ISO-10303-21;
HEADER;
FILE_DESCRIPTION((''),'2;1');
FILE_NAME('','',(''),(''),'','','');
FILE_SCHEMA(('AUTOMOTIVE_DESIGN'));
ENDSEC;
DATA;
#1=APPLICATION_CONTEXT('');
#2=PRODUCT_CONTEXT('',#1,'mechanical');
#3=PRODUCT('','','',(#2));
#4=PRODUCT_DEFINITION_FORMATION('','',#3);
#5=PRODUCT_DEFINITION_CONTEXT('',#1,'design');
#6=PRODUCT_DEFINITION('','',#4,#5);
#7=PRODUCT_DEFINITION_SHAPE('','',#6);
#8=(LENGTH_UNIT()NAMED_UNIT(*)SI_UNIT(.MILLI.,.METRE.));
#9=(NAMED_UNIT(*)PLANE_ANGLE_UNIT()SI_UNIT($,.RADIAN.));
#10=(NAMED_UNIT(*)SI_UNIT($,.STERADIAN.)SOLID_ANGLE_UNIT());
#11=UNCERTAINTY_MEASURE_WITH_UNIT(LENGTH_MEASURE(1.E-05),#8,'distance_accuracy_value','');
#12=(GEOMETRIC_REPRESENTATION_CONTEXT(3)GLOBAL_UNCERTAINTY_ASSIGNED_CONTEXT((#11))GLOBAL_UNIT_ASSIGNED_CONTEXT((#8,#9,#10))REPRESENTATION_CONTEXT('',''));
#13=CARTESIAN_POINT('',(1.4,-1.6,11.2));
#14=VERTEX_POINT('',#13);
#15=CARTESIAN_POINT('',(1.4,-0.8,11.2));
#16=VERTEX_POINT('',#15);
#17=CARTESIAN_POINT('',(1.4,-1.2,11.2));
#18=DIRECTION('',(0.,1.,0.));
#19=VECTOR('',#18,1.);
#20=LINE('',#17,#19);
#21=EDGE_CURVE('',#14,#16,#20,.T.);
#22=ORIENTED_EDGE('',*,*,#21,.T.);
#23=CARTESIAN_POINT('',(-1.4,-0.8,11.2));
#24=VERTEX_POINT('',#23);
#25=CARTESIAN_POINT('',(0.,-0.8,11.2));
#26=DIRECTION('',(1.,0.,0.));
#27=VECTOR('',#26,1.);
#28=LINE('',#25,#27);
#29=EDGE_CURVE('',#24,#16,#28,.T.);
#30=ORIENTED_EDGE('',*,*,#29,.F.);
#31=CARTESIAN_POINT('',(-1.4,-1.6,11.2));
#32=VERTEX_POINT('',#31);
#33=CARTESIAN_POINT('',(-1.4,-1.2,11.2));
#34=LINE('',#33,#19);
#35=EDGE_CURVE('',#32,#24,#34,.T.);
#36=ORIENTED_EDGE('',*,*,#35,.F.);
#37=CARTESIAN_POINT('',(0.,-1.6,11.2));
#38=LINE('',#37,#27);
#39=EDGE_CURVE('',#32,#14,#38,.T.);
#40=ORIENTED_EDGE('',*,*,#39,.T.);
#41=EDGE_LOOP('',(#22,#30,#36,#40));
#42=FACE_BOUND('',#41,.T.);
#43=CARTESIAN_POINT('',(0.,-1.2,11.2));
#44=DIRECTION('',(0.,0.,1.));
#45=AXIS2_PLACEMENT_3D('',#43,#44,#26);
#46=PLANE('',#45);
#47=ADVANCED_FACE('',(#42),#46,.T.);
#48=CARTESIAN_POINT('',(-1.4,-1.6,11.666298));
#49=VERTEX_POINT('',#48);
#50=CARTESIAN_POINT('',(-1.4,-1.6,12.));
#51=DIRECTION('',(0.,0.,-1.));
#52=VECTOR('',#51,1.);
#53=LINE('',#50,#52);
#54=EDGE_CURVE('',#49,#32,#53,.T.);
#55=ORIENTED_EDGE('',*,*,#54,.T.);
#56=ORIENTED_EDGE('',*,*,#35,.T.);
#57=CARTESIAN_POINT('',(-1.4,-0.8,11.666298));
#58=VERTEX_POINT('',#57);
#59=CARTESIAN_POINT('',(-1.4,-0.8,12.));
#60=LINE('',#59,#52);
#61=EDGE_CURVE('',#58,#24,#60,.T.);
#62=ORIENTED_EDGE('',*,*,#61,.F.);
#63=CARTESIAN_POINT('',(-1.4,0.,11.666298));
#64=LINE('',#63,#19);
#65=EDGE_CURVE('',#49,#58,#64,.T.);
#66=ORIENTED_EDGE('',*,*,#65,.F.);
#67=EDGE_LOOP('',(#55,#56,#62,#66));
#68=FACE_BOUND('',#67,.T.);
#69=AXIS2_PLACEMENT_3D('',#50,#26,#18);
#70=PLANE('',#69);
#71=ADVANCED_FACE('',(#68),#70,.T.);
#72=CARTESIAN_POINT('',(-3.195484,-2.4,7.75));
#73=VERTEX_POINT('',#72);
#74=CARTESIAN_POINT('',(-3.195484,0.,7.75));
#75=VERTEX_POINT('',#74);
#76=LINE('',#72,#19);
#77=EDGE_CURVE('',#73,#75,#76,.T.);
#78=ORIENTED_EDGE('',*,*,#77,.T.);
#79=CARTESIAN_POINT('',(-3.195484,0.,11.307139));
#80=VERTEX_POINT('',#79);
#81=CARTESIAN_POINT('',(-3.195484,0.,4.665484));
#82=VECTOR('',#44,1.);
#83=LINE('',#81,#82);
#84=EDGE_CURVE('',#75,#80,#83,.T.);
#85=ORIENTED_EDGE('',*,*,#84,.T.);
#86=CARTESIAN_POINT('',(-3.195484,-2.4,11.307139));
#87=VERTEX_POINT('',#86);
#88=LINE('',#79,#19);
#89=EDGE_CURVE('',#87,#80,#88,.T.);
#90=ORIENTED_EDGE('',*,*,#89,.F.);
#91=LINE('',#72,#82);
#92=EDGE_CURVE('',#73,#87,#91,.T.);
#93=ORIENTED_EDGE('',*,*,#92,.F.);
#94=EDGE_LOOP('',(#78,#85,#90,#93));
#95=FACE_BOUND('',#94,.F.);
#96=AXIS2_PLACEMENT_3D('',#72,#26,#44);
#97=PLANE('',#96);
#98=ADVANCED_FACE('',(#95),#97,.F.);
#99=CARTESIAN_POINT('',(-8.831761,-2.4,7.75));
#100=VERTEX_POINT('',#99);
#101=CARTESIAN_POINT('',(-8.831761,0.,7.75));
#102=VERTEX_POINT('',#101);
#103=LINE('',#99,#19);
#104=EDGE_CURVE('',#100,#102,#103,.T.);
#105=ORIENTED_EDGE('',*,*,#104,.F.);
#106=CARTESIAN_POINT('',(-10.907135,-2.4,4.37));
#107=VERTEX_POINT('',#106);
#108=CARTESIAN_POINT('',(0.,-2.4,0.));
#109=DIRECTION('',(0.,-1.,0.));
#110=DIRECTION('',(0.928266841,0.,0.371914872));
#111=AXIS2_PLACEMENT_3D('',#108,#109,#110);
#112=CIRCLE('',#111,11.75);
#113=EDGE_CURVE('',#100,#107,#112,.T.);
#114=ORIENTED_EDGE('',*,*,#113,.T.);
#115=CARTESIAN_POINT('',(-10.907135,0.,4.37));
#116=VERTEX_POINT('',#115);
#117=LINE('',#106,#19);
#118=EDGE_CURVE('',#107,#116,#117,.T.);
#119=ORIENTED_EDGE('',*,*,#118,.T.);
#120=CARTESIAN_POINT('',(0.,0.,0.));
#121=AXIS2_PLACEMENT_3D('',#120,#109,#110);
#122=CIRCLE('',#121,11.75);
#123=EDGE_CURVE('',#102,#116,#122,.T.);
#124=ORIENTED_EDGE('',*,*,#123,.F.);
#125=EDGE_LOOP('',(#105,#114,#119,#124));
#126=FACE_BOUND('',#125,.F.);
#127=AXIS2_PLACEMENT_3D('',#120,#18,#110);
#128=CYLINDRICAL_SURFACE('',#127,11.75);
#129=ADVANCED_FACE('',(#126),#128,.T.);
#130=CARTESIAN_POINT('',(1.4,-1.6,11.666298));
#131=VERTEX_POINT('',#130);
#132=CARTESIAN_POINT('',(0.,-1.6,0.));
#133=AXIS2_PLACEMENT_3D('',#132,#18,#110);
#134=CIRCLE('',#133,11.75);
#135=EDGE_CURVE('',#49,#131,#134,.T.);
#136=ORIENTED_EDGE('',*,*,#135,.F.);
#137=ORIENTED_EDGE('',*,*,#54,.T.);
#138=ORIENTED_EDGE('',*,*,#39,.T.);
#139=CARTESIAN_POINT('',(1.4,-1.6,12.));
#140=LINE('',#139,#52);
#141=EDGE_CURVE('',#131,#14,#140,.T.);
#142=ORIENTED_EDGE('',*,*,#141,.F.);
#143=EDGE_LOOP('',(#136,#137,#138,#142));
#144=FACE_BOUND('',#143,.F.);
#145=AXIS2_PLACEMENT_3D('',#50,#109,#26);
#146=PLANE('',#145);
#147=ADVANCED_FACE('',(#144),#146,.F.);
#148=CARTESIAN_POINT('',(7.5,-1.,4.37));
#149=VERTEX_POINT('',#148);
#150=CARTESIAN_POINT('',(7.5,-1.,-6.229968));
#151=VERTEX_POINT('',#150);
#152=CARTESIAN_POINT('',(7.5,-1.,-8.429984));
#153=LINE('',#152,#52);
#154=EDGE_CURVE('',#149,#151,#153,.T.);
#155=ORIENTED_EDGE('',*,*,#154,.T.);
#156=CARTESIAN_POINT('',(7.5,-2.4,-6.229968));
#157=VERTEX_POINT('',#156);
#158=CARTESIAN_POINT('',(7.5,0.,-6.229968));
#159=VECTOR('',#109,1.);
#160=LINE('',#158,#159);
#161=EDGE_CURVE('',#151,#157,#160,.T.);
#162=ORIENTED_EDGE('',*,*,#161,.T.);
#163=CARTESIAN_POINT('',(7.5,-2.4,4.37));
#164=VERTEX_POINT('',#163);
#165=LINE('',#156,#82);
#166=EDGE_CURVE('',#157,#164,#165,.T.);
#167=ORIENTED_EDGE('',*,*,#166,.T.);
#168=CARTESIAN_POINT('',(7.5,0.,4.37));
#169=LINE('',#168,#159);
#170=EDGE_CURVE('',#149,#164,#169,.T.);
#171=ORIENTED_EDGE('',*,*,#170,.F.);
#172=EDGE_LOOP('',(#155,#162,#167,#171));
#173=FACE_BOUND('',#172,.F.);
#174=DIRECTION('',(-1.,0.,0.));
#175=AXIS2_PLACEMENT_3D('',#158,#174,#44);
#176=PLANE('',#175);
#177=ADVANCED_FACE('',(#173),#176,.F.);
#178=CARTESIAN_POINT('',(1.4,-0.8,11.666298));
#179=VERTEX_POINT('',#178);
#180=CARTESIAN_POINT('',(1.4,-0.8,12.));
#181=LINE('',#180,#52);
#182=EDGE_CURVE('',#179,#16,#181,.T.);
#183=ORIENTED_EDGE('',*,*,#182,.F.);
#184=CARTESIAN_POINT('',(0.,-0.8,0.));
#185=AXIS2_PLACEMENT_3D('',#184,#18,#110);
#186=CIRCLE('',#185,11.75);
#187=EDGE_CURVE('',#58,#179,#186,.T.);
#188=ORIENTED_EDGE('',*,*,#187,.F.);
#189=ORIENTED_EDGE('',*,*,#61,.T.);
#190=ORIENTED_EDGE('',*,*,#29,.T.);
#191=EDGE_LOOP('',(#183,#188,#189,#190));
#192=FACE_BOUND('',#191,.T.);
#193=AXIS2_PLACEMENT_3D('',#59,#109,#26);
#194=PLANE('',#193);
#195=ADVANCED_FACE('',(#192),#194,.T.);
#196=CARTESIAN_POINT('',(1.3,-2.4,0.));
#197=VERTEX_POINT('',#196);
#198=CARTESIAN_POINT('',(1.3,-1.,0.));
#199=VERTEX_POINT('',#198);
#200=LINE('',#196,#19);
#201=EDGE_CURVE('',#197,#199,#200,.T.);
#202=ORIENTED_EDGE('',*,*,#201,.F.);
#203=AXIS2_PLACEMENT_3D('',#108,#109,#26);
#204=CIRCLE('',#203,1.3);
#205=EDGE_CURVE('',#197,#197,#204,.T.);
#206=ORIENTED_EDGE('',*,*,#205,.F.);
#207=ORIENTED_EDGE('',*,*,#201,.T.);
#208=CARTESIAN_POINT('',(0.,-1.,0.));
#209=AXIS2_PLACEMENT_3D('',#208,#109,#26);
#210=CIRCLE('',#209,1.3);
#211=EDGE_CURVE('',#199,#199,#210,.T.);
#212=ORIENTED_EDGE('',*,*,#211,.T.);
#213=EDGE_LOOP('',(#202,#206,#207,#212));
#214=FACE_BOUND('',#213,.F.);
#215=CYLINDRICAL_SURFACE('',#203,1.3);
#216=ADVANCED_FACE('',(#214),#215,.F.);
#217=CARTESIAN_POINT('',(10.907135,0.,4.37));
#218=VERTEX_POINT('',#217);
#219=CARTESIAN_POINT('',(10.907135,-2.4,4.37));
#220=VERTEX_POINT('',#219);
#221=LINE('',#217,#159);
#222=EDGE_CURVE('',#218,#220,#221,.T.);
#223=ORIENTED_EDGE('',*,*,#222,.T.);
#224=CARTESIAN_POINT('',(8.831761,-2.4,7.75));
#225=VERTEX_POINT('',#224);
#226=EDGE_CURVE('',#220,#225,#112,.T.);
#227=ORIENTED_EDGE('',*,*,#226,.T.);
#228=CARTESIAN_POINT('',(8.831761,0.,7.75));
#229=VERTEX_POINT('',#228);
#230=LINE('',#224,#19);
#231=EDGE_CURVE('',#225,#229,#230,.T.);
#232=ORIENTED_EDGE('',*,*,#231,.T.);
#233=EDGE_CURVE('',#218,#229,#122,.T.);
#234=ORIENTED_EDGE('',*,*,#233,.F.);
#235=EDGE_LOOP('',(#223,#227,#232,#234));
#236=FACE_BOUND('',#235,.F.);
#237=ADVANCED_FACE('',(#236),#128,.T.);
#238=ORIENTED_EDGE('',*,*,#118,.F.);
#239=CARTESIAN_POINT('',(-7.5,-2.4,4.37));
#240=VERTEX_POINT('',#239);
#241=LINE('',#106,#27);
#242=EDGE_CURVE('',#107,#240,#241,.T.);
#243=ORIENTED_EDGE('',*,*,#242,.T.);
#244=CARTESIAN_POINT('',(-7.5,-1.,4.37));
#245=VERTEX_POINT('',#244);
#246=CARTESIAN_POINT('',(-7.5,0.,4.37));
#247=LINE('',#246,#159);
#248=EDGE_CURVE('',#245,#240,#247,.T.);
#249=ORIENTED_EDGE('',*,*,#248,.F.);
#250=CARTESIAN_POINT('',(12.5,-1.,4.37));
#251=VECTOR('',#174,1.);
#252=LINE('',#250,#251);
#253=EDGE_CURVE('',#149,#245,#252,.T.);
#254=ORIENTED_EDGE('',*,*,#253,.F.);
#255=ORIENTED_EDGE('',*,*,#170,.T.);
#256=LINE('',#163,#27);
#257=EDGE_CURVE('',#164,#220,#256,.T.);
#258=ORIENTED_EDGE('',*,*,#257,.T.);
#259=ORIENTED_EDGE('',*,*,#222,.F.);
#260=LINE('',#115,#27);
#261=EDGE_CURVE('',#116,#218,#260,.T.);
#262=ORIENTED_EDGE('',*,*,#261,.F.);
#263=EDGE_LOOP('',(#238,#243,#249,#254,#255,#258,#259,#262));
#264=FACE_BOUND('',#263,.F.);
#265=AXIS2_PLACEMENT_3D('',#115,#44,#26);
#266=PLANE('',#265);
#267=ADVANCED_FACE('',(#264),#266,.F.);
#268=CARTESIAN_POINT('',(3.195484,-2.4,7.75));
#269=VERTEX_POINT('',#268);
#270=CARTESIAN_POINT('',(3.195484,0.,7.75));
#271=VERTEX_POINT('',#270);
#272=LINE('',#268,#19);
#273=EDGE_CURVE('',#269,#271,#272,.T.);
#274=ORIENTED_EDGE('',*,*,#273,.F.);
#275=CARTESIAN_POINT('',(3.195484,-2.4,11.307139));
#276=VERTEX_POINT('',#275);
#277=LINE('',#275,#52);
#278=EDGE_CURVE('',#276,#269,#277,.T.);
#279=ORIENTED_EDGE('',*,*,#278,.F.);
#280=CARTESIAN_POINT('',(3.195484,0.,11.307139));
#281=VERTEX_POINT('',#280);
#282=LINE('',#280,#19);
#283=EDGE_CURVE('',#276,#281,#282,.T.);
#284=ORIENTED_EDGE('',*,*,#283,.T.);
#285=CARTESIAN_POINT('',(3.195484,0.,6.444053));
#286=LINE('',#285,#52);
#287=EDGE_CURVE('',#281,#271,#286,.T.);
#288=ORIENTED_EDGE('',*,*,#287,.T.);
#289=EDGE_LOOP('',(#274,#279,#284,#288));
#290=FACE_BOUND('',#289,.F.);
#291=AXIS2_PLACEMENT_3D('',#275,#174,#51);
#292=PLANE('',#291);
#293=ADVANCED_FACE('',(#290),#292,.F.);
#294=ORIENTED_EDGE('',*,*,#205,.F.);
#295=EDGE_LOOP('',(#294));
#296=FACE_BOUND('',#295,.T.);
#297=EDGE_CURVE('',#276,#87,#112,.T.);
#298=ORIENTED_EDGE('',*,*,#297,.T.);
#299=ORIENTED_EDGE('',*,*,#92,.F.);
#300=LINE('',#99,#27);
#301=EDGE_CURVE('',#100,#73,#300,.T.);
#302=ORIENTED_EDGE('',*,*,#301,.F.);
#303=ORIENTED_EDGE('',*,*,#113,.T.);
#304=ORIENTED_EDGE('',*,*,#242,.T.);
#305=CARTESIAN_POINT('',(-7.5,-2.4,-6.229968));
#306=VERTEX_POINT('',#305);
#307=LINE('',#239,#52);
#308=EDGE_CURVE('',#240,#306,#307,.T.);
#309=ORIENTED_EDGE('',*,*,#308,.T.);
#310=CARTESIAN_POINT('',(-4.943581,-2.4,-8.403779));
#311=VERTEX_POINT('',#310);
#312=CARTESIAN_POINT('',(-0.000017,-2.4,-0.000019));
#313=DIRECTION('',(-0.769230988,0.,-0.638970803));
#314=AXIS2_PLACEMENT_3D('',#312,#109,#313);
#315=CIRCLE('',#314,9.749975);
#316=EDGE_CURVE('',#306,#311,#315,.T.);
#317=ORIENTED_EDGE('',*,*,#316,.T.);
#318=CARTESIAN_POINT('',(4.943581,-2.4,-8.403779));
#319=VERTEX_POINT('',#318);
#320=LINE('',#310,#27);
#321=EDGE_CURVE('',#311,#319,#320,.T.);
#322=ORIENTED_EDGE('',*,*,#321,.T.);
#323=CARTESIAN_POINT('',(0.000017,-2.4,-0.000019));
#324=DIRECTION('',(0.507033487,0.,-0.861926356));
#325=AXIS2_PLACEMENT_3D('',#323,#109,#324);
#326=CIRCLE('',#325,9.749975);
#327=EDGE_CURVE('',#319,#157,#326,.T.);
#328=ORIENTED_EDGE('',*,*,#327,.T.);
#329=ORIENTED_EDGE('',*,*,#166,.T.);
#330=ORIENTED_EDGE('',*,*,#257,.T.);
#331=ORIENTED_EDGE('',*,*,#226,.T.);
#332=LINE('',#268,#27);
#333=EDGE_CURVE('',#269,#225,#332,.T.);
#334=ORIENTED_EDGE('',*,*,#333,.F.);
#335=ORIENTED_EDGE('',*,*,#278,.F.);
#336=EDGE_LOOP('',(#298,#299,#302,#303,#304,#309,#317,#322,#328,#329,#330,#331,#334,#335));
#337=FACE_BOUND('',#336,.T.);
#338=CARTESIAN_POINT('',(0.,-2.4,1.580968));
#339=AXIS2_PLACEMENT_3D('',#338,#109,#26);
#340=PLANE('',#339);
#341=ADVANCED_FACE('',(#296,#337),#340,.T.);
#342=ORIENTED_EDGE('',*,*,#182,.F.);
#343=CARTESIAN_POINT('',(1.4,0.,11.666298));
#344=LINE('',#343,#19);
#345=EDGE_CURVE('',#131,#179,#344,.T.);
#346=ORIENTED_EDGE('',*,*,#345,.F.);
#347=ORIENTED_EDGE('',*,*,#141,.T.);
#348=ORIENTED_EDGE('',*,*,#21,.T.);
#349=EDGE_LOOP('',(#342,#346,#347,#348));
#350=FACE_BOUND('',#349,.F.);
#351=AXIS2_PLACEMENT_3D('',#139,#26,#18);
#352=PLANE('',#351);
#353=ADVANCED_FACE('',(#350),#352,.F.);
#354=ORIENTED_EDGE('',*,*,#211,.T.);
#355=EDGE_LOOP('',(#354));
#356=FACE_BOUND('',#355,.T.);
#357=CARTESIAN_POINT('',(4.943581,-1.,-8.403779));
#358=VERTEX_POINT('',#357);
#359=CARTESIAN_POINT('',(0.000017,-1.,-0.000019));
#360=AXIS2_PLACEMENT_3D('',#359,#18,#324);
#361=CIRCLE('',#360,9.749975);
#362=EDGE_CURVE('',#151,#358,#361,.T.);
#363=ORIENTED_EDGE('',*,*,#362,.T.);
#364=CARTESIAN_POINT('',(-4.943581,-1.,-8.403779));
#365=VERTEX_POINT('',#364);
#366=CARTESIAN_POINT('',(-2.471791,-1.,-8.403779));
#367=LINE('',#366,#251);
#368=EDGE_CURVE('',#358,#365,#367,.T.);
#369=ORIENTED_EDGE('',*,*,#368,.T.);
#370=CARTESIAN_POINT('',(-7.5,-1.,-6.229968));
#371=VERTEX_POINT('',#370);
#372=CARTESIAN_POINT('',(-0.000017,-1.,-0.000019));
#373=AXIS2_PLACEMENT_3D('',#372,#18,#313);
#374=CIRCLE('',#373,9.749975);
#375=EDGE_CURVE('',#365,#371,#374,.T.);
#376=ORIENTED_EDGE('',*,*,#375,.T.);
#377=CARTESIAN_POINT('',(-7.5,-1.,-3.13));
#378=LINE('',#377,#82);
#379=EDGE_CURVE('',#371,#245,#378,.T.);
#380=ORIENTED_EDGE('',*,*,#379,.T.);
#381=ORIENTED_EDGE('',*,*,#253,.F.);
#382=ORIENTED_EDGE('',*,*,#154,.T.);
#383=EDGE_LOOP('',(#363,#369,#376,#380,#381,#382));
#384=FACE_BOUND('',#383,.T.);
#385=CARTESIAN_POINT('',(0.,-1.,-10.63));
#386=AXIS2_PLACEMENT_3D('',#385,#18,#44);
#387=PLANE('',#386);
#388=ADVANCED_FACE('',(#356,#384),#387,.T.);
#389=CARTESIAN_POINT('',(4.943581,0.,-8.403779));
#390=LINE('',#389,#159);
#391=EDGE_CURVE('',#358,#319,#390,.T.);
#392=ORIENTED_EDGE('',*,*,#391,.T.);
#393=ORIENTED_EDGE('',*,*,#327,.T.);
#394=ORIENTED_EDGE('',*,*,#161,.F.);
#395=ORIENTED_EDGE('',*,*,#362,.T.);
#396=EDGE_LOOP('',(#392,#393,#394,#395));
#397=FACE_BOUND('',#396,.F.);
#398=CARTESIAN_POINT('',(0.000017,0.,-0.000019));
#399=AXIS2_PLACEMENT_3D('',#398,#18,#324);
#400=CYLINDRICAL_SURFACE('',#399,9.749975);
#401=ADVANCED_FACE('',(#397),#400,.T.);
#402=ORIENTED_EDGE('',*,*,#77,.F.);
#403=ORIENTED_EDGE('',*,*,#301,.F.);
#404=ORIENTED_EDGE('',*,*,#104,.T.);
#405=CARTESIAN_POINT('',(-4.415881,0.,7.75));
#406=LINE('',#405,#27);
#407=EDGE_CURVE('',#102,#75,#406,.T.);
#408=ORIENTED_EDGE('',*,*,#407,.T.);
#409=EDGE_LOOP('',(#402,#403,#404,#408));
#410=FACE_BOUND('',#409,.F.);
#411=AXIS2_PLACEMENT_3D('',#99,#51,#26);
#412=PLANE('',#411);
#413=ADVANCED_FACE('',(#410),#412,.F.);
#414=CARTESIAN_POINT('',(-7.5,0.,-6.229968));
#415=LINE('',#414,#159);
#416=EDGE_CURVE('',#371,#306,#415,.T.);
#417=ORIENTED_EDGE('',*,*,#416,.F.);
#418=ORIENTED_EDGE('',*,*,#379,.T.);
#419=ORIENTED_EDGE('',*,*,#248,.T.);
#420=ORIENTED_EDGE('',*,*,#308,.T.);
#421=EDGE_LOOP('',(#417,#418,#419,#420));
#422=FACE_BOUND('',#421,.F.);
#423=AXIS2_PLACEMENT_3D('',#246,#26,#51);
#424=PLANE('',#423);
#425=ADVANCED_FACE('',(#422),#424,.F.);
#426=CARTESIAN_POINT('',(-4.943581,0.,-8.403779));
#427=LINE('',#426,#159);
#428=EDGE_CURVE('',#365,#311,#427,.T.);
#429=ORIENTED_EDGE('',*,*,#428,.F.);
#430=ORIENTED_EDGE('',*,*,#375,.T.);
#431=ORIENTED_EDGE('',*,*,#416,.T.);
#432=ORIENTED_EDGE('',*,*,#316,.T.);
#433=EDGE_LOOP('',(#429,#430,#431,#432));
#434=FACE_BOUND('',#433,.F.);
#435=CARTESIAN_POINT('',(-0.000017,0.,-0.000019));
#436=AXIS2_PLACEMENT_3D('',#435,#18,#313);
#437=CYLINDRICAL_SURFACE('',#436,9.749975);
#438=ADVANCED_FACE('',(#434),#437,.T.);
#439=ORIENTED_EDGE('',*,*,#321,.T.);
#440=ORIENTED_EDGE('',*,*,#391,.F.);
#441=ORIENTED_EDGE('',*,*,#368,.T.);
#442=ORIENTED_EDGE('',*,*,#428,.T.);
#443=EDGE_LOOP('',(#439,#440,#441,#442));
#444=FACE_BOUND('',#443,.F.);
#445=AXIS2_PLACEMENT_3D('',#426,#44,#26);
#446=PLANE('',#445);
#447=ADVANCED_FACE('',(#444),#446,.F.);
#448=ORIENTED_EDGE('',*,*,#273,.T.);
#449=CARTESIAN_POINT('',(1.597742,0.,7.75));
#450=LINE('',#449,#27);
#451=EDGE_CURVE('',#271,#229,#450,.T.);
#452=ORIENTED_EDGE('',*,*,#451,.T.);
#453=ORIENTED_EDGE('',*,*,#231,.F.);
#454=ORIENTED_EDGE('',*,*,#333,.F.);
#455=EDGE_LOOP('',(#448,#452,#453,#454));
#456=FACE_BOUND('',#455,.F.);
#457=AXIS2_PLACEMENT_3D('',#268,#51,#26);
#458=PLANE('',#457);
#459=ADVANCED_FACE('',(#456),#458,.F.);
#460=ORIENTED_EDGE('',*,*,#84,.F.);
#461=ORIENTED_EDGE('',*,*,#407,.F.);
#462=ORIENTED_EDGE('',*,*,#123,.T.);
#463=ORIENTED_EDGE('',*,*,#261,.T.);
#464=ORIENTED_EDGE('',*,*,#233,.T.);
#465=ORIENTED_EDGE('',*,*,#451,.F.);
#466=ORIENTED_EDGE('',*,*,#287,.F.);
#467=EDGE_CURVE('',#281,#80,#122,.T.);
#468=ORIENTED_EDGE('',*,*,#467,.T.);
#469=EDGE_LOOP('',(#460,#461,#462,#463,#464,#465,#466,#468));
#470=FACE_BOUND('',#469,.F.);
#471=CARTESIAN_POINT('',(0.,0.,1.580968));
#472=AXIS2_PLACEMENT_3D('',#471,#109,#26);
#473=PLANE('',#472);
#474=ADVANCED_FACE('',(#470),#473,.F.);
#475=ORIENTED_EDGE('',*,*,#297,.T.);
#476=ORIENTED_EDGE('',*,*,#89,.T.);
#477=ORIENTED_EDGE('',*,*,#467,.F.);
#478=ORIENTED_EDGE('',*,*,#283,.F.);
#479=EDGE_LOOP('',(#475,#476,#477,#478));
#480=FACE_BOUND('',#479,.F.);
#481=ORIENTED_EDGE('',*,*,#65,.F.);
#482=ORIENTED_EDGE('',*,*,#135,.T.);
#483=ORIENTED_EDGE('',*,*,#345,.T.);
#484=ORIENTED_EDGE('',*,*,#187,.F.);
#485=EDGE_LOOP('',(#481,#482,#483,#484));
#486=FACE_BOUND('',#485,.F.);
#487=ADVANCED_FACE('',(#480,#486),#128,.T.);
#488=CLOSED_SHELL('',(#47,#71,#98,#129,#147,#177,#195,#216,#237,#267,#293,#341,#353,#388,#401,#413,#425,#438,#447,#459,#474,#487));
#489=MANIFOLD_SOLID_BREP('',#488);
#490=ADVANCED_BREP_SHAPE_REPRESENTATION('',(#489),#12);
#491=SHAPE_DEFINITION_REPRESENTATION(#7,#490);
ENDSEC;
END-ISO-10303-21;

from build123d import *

# Parameters (mm, degrees)
F1_DEPTH  = 2.4
F2_W      = 1
F2_H      = 15
F3_DEPTH  = 12.5
F5_W      = 2.8
F5_H      = 0.8
F6_DEPTH  = 0.8
F8_DEPTH  = 2.401
F9_R      = 1.3
F10_DEPTH = 2.401


with BuildPart() as f1:
    # F0 (on Front) → F1 (new body)
    with BuildSketch(Plane.XZ):
        with BuildLine():
            Line((-7.5, 4.37), (-7.5, -6.229968))
            ThreePointArc((-7.5, -6.229968), (-6.316015, -7.427682), (-4.943581, -8.403779))
            Line((-4.943581, -8.403779), (4.943581, -8.403779))
            ThreePointArc((4.943581, -8.403779), (6.316015, -7.427682), (7.5, -6.229968))
            Line((7.5, -6.229968), (7.5, 4.37))
            Line((7.5, 4.37), (10.907135, 4.37))
            ThreePointArc((10.907135, 4.37), (0, 11.75), (-10.907135, 4.37))
            Line((-10.907135, 4.37), (-7.5, 4.37))
        make_face()
    extrude(amount=F1_DEPTH)

    # F2 (on Right) → F3 (cut, symmetric)
    with BuildSketch(Plane.YZ):
        with Locations((-0.5, -3.13)):
            Rectangle(F2_W, F2_H)
    extrude(amount=F3_DEPTH, both=True, mode=Mode.SUBTRACT)

    # F5 (on offset) → F6 (cut)
    with BuildSketch(Plane.XY.offset(12)):
        with Locations((0, -1.2)):
            Rectangle(F5_W, F5_H)
    extrude(amount=-F6_DEPTH, mode=Mode.SUBTRACT)

    # F7 (on face) → F8 (cut, through all)
    with BuildSketch(Plane.XZ.offset(2.4)):
        with BuildLine():
            Line((-3.195484, 7.75), (-3.195484, 11.307139))
            ThreePointArc((-3.195484, 11.307139), (-6.271121, 9.936576), (-8.831761, 7.75))
            Line((-8.831761, 7.75), (-3.195484, 7.75))
        make_face()
        with BuildLine():
            Line((3.195484, 7.75), (8.831761, 7.75))
            ThreePointArc((8.831761, 7.75), (6.271121, 9.936576), (3.195484, 11.307139))
            Line((3.195484, 11.307139), (3.195484, 7.75))
        make_face()
    extrude(amount=-F8_DEPTH, mode=Mode.SUBTRACT)

    # F9 (on face) → F10 (cut, through all)
    with BuildSketch(Plane.XZ.offset(2.4)):
        Circle(F9_R)
    extrude(amount=-F10_DEPTH, mode=Mode.SUBTRACT)


solid = f1.part
